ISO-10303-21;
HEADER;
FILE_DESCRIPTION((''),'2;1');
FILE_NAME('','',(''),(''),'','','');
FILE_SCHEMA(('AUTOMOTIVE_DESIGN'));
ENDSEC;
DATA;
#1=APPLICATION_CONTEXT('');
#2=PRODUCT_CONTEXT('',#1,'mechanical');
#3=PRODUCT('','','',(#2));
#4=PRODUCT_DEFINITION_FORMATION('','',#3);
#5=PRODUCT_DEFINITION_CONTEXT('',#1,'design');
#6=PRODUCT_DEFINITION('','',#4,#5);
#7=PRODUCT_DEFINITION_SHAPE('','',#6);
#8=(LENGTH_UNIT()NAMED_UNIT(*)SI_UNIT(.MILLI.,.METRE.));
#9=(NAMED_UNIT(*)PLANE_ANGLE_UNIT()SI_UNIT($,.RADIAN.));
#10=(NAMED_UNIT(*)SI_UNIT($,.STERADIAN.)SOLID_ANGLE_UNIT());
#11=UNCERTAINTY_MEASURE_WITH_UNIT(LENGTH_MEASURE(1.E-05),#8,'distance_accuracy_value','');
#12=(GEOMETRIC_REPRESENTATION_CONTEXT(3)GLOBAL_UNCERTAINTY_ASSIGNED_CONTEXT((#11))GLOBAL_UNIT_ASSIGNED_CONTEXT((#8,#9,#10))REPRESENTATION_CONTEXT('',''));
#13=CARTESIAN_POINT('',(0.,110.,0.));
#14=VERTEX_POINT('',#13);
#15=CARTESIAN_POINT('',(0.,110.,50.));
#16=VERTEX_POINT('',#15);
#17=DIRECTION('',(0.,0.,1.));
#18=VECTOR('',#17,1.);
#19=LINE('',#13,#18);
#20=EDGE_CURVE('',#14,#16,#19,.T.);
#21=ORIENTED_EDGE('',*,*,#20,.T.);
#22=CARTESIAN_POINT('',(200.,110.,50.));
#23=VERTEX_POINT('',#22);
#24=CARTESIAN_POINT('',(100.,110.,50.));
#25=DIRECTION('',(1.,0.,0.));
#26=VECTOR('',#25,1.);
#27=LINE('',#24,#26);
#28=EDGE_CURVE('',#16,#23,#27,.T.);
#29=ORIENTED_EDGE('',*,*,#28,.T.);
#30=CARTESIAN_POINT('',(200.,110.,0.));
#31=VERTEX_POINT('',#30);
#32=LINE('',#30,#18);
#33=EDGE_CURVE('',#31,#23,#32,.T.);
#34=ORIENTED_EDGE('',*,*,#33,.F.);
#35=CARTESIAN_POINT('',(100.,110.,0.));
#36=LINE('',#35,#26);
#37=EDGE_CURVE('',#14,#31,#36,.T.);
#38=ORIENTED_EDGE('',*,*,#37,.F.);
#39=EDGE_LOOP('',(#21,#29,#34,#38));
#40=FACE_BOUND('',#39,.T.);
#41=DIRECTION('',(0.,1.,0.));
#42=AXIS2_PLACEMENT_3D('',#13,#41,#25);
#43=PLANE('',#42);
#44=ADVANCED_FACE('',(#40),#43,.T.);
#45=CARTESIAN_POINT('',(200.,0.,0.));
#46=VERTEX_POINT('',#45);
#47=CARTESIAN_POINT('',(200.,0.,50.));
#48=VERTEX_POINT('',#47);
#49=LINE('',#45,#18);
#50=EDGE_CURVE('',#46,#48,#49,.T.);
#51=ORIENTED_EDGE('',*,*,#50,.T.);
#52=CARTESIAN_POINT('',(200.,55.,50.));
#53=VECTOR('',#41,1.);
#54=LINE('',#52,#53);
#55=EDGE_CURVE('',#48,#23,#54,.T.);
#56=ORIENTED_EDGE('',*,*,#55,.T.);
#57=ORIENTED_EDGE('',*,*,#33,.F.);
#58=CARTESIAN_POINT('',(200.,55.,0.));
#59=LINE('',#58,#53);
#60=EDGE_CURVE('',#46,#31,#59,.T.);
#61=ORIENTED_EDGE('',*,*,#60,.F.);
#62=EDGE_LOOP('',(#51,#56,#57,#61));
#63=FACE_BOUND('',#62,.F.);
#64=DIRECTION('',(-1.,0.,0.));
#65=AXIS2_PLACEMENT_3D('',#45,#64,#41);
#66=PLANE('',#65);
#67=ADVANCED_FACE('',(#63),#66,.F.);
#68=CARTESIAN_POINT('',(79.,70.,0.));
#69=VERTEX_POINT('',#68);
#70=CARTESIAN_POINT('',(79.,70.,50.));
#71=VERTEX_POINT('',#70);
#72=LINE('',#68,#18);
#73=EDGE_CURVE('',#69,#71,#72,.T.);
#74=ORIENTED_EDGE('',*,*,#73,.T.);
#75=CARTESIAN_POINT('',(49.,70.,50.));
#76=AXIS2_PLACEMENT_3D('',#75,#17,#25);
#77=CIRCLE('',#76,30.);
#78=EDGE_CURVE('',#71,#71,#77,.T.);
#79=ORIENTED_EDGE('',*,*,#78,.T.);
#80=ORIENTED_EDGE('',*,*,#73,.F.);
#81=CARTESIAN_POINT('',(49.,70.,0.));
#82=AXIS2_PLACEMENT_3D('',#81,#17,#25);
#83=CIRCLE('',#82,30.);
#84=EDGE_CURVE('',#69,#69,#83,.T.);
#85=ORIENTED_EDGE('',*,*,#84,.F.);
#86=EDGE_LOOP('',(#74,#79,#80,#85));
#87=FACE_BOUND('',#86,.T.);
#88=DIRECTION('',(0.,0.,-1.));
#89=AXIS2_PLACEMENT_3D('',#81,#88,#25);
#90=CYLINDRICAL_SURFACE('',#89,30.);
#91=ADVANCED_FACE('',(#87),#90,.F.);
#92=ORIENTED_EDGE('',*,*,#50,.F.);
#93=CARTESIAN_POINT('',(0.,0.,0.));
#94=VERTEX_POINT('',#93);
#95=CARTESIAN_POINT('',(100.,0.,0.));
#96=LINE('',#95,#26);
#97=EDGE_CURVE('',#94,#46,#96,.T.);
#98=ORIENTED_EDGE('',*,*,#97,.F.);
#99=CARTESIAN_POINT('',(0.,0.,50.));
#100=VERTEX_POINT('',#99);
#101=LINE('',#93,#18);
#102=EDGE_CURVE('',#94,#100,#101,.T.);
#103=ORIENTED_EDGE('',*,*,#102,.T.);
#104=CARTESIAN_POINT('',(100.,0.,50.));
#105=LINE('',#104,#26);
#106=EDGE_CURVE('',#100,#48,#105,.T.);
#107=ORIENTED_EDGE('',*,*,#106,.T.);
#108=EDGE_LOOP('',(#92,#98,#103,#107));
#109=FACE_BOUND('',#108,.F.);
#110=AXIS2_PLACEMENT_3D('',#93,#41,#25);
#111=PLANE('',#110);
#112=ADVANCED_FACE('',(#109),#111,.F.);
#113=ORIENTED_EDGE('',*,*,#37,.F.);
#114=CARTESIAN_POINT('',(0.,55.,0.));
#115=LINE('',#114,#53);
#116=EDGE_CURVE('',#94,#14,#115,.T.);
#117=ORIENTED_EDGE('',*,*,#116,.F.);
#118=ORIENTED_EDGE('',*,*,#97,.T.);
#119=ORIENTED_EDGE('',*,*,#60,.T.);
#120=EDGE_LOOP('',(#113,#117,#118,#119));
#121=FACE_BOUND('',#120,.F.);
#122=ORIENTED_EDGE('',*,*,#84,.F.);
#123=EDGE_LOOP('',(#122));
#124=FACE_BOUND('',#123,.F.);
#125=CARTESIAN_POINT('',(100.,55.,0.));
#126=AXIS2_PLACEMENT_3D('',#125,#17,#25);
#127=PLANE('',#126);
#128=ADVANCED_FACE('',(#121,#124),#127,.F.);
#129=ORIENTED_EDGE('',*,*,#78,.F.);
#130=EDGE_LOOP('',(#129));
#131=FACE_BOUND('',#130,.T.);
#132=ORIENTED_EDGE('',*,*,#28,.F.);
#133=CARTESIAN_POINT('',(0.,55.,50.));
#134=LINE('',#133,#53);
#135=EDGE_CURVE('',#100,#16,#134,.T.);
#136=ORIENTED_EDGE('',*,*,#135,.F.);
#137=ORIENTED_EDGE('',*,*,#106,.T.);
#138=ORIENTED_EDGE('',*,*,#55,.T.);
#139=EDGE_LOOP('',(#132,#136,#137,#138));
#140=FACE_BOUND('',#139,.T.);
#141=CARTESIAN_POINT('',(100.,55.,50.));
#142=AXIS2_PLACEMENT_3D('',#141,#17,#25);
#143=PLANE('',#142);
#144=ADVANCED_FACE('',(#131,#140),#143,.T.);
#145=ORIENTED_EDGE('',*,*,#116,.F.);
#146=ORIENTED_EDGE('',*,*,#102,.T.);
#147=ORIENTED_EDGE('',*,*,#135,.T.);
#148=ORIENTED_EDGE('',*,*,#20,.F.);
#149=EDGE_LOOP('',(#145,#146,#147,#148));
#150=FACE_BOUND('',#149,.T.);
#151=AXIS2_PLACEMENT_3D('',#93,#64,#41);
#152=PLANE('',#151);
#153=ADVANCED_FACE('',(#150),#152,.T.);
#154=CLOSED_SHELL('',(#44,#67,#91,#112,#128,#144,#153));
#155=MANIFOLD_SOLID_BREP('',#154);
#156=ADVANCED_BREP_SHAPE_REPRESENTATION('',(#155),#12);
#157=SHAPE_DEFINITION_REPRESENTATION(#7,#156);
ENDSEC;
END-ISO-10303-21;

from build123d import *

# Parameters (mm, degrees)
SKETCH_W  = 200
SKETCH_H  = 110
SKETCH_R  = 30
PAD_DEPTH = 50


with BuildPart() as part:
    # Sketch → Pad (new body)
    with BuildSketch(Plane.XY):
        with Locations((100, 55)):
            Rectangle(SKETCH_W, SKETCH_H)
        with Locations((49, 70)):
            Circle(SKETCH_R, mode=Mode.SUBTRACT)
    extrude(amount=PAD_DEPTH)


solid = part.part
